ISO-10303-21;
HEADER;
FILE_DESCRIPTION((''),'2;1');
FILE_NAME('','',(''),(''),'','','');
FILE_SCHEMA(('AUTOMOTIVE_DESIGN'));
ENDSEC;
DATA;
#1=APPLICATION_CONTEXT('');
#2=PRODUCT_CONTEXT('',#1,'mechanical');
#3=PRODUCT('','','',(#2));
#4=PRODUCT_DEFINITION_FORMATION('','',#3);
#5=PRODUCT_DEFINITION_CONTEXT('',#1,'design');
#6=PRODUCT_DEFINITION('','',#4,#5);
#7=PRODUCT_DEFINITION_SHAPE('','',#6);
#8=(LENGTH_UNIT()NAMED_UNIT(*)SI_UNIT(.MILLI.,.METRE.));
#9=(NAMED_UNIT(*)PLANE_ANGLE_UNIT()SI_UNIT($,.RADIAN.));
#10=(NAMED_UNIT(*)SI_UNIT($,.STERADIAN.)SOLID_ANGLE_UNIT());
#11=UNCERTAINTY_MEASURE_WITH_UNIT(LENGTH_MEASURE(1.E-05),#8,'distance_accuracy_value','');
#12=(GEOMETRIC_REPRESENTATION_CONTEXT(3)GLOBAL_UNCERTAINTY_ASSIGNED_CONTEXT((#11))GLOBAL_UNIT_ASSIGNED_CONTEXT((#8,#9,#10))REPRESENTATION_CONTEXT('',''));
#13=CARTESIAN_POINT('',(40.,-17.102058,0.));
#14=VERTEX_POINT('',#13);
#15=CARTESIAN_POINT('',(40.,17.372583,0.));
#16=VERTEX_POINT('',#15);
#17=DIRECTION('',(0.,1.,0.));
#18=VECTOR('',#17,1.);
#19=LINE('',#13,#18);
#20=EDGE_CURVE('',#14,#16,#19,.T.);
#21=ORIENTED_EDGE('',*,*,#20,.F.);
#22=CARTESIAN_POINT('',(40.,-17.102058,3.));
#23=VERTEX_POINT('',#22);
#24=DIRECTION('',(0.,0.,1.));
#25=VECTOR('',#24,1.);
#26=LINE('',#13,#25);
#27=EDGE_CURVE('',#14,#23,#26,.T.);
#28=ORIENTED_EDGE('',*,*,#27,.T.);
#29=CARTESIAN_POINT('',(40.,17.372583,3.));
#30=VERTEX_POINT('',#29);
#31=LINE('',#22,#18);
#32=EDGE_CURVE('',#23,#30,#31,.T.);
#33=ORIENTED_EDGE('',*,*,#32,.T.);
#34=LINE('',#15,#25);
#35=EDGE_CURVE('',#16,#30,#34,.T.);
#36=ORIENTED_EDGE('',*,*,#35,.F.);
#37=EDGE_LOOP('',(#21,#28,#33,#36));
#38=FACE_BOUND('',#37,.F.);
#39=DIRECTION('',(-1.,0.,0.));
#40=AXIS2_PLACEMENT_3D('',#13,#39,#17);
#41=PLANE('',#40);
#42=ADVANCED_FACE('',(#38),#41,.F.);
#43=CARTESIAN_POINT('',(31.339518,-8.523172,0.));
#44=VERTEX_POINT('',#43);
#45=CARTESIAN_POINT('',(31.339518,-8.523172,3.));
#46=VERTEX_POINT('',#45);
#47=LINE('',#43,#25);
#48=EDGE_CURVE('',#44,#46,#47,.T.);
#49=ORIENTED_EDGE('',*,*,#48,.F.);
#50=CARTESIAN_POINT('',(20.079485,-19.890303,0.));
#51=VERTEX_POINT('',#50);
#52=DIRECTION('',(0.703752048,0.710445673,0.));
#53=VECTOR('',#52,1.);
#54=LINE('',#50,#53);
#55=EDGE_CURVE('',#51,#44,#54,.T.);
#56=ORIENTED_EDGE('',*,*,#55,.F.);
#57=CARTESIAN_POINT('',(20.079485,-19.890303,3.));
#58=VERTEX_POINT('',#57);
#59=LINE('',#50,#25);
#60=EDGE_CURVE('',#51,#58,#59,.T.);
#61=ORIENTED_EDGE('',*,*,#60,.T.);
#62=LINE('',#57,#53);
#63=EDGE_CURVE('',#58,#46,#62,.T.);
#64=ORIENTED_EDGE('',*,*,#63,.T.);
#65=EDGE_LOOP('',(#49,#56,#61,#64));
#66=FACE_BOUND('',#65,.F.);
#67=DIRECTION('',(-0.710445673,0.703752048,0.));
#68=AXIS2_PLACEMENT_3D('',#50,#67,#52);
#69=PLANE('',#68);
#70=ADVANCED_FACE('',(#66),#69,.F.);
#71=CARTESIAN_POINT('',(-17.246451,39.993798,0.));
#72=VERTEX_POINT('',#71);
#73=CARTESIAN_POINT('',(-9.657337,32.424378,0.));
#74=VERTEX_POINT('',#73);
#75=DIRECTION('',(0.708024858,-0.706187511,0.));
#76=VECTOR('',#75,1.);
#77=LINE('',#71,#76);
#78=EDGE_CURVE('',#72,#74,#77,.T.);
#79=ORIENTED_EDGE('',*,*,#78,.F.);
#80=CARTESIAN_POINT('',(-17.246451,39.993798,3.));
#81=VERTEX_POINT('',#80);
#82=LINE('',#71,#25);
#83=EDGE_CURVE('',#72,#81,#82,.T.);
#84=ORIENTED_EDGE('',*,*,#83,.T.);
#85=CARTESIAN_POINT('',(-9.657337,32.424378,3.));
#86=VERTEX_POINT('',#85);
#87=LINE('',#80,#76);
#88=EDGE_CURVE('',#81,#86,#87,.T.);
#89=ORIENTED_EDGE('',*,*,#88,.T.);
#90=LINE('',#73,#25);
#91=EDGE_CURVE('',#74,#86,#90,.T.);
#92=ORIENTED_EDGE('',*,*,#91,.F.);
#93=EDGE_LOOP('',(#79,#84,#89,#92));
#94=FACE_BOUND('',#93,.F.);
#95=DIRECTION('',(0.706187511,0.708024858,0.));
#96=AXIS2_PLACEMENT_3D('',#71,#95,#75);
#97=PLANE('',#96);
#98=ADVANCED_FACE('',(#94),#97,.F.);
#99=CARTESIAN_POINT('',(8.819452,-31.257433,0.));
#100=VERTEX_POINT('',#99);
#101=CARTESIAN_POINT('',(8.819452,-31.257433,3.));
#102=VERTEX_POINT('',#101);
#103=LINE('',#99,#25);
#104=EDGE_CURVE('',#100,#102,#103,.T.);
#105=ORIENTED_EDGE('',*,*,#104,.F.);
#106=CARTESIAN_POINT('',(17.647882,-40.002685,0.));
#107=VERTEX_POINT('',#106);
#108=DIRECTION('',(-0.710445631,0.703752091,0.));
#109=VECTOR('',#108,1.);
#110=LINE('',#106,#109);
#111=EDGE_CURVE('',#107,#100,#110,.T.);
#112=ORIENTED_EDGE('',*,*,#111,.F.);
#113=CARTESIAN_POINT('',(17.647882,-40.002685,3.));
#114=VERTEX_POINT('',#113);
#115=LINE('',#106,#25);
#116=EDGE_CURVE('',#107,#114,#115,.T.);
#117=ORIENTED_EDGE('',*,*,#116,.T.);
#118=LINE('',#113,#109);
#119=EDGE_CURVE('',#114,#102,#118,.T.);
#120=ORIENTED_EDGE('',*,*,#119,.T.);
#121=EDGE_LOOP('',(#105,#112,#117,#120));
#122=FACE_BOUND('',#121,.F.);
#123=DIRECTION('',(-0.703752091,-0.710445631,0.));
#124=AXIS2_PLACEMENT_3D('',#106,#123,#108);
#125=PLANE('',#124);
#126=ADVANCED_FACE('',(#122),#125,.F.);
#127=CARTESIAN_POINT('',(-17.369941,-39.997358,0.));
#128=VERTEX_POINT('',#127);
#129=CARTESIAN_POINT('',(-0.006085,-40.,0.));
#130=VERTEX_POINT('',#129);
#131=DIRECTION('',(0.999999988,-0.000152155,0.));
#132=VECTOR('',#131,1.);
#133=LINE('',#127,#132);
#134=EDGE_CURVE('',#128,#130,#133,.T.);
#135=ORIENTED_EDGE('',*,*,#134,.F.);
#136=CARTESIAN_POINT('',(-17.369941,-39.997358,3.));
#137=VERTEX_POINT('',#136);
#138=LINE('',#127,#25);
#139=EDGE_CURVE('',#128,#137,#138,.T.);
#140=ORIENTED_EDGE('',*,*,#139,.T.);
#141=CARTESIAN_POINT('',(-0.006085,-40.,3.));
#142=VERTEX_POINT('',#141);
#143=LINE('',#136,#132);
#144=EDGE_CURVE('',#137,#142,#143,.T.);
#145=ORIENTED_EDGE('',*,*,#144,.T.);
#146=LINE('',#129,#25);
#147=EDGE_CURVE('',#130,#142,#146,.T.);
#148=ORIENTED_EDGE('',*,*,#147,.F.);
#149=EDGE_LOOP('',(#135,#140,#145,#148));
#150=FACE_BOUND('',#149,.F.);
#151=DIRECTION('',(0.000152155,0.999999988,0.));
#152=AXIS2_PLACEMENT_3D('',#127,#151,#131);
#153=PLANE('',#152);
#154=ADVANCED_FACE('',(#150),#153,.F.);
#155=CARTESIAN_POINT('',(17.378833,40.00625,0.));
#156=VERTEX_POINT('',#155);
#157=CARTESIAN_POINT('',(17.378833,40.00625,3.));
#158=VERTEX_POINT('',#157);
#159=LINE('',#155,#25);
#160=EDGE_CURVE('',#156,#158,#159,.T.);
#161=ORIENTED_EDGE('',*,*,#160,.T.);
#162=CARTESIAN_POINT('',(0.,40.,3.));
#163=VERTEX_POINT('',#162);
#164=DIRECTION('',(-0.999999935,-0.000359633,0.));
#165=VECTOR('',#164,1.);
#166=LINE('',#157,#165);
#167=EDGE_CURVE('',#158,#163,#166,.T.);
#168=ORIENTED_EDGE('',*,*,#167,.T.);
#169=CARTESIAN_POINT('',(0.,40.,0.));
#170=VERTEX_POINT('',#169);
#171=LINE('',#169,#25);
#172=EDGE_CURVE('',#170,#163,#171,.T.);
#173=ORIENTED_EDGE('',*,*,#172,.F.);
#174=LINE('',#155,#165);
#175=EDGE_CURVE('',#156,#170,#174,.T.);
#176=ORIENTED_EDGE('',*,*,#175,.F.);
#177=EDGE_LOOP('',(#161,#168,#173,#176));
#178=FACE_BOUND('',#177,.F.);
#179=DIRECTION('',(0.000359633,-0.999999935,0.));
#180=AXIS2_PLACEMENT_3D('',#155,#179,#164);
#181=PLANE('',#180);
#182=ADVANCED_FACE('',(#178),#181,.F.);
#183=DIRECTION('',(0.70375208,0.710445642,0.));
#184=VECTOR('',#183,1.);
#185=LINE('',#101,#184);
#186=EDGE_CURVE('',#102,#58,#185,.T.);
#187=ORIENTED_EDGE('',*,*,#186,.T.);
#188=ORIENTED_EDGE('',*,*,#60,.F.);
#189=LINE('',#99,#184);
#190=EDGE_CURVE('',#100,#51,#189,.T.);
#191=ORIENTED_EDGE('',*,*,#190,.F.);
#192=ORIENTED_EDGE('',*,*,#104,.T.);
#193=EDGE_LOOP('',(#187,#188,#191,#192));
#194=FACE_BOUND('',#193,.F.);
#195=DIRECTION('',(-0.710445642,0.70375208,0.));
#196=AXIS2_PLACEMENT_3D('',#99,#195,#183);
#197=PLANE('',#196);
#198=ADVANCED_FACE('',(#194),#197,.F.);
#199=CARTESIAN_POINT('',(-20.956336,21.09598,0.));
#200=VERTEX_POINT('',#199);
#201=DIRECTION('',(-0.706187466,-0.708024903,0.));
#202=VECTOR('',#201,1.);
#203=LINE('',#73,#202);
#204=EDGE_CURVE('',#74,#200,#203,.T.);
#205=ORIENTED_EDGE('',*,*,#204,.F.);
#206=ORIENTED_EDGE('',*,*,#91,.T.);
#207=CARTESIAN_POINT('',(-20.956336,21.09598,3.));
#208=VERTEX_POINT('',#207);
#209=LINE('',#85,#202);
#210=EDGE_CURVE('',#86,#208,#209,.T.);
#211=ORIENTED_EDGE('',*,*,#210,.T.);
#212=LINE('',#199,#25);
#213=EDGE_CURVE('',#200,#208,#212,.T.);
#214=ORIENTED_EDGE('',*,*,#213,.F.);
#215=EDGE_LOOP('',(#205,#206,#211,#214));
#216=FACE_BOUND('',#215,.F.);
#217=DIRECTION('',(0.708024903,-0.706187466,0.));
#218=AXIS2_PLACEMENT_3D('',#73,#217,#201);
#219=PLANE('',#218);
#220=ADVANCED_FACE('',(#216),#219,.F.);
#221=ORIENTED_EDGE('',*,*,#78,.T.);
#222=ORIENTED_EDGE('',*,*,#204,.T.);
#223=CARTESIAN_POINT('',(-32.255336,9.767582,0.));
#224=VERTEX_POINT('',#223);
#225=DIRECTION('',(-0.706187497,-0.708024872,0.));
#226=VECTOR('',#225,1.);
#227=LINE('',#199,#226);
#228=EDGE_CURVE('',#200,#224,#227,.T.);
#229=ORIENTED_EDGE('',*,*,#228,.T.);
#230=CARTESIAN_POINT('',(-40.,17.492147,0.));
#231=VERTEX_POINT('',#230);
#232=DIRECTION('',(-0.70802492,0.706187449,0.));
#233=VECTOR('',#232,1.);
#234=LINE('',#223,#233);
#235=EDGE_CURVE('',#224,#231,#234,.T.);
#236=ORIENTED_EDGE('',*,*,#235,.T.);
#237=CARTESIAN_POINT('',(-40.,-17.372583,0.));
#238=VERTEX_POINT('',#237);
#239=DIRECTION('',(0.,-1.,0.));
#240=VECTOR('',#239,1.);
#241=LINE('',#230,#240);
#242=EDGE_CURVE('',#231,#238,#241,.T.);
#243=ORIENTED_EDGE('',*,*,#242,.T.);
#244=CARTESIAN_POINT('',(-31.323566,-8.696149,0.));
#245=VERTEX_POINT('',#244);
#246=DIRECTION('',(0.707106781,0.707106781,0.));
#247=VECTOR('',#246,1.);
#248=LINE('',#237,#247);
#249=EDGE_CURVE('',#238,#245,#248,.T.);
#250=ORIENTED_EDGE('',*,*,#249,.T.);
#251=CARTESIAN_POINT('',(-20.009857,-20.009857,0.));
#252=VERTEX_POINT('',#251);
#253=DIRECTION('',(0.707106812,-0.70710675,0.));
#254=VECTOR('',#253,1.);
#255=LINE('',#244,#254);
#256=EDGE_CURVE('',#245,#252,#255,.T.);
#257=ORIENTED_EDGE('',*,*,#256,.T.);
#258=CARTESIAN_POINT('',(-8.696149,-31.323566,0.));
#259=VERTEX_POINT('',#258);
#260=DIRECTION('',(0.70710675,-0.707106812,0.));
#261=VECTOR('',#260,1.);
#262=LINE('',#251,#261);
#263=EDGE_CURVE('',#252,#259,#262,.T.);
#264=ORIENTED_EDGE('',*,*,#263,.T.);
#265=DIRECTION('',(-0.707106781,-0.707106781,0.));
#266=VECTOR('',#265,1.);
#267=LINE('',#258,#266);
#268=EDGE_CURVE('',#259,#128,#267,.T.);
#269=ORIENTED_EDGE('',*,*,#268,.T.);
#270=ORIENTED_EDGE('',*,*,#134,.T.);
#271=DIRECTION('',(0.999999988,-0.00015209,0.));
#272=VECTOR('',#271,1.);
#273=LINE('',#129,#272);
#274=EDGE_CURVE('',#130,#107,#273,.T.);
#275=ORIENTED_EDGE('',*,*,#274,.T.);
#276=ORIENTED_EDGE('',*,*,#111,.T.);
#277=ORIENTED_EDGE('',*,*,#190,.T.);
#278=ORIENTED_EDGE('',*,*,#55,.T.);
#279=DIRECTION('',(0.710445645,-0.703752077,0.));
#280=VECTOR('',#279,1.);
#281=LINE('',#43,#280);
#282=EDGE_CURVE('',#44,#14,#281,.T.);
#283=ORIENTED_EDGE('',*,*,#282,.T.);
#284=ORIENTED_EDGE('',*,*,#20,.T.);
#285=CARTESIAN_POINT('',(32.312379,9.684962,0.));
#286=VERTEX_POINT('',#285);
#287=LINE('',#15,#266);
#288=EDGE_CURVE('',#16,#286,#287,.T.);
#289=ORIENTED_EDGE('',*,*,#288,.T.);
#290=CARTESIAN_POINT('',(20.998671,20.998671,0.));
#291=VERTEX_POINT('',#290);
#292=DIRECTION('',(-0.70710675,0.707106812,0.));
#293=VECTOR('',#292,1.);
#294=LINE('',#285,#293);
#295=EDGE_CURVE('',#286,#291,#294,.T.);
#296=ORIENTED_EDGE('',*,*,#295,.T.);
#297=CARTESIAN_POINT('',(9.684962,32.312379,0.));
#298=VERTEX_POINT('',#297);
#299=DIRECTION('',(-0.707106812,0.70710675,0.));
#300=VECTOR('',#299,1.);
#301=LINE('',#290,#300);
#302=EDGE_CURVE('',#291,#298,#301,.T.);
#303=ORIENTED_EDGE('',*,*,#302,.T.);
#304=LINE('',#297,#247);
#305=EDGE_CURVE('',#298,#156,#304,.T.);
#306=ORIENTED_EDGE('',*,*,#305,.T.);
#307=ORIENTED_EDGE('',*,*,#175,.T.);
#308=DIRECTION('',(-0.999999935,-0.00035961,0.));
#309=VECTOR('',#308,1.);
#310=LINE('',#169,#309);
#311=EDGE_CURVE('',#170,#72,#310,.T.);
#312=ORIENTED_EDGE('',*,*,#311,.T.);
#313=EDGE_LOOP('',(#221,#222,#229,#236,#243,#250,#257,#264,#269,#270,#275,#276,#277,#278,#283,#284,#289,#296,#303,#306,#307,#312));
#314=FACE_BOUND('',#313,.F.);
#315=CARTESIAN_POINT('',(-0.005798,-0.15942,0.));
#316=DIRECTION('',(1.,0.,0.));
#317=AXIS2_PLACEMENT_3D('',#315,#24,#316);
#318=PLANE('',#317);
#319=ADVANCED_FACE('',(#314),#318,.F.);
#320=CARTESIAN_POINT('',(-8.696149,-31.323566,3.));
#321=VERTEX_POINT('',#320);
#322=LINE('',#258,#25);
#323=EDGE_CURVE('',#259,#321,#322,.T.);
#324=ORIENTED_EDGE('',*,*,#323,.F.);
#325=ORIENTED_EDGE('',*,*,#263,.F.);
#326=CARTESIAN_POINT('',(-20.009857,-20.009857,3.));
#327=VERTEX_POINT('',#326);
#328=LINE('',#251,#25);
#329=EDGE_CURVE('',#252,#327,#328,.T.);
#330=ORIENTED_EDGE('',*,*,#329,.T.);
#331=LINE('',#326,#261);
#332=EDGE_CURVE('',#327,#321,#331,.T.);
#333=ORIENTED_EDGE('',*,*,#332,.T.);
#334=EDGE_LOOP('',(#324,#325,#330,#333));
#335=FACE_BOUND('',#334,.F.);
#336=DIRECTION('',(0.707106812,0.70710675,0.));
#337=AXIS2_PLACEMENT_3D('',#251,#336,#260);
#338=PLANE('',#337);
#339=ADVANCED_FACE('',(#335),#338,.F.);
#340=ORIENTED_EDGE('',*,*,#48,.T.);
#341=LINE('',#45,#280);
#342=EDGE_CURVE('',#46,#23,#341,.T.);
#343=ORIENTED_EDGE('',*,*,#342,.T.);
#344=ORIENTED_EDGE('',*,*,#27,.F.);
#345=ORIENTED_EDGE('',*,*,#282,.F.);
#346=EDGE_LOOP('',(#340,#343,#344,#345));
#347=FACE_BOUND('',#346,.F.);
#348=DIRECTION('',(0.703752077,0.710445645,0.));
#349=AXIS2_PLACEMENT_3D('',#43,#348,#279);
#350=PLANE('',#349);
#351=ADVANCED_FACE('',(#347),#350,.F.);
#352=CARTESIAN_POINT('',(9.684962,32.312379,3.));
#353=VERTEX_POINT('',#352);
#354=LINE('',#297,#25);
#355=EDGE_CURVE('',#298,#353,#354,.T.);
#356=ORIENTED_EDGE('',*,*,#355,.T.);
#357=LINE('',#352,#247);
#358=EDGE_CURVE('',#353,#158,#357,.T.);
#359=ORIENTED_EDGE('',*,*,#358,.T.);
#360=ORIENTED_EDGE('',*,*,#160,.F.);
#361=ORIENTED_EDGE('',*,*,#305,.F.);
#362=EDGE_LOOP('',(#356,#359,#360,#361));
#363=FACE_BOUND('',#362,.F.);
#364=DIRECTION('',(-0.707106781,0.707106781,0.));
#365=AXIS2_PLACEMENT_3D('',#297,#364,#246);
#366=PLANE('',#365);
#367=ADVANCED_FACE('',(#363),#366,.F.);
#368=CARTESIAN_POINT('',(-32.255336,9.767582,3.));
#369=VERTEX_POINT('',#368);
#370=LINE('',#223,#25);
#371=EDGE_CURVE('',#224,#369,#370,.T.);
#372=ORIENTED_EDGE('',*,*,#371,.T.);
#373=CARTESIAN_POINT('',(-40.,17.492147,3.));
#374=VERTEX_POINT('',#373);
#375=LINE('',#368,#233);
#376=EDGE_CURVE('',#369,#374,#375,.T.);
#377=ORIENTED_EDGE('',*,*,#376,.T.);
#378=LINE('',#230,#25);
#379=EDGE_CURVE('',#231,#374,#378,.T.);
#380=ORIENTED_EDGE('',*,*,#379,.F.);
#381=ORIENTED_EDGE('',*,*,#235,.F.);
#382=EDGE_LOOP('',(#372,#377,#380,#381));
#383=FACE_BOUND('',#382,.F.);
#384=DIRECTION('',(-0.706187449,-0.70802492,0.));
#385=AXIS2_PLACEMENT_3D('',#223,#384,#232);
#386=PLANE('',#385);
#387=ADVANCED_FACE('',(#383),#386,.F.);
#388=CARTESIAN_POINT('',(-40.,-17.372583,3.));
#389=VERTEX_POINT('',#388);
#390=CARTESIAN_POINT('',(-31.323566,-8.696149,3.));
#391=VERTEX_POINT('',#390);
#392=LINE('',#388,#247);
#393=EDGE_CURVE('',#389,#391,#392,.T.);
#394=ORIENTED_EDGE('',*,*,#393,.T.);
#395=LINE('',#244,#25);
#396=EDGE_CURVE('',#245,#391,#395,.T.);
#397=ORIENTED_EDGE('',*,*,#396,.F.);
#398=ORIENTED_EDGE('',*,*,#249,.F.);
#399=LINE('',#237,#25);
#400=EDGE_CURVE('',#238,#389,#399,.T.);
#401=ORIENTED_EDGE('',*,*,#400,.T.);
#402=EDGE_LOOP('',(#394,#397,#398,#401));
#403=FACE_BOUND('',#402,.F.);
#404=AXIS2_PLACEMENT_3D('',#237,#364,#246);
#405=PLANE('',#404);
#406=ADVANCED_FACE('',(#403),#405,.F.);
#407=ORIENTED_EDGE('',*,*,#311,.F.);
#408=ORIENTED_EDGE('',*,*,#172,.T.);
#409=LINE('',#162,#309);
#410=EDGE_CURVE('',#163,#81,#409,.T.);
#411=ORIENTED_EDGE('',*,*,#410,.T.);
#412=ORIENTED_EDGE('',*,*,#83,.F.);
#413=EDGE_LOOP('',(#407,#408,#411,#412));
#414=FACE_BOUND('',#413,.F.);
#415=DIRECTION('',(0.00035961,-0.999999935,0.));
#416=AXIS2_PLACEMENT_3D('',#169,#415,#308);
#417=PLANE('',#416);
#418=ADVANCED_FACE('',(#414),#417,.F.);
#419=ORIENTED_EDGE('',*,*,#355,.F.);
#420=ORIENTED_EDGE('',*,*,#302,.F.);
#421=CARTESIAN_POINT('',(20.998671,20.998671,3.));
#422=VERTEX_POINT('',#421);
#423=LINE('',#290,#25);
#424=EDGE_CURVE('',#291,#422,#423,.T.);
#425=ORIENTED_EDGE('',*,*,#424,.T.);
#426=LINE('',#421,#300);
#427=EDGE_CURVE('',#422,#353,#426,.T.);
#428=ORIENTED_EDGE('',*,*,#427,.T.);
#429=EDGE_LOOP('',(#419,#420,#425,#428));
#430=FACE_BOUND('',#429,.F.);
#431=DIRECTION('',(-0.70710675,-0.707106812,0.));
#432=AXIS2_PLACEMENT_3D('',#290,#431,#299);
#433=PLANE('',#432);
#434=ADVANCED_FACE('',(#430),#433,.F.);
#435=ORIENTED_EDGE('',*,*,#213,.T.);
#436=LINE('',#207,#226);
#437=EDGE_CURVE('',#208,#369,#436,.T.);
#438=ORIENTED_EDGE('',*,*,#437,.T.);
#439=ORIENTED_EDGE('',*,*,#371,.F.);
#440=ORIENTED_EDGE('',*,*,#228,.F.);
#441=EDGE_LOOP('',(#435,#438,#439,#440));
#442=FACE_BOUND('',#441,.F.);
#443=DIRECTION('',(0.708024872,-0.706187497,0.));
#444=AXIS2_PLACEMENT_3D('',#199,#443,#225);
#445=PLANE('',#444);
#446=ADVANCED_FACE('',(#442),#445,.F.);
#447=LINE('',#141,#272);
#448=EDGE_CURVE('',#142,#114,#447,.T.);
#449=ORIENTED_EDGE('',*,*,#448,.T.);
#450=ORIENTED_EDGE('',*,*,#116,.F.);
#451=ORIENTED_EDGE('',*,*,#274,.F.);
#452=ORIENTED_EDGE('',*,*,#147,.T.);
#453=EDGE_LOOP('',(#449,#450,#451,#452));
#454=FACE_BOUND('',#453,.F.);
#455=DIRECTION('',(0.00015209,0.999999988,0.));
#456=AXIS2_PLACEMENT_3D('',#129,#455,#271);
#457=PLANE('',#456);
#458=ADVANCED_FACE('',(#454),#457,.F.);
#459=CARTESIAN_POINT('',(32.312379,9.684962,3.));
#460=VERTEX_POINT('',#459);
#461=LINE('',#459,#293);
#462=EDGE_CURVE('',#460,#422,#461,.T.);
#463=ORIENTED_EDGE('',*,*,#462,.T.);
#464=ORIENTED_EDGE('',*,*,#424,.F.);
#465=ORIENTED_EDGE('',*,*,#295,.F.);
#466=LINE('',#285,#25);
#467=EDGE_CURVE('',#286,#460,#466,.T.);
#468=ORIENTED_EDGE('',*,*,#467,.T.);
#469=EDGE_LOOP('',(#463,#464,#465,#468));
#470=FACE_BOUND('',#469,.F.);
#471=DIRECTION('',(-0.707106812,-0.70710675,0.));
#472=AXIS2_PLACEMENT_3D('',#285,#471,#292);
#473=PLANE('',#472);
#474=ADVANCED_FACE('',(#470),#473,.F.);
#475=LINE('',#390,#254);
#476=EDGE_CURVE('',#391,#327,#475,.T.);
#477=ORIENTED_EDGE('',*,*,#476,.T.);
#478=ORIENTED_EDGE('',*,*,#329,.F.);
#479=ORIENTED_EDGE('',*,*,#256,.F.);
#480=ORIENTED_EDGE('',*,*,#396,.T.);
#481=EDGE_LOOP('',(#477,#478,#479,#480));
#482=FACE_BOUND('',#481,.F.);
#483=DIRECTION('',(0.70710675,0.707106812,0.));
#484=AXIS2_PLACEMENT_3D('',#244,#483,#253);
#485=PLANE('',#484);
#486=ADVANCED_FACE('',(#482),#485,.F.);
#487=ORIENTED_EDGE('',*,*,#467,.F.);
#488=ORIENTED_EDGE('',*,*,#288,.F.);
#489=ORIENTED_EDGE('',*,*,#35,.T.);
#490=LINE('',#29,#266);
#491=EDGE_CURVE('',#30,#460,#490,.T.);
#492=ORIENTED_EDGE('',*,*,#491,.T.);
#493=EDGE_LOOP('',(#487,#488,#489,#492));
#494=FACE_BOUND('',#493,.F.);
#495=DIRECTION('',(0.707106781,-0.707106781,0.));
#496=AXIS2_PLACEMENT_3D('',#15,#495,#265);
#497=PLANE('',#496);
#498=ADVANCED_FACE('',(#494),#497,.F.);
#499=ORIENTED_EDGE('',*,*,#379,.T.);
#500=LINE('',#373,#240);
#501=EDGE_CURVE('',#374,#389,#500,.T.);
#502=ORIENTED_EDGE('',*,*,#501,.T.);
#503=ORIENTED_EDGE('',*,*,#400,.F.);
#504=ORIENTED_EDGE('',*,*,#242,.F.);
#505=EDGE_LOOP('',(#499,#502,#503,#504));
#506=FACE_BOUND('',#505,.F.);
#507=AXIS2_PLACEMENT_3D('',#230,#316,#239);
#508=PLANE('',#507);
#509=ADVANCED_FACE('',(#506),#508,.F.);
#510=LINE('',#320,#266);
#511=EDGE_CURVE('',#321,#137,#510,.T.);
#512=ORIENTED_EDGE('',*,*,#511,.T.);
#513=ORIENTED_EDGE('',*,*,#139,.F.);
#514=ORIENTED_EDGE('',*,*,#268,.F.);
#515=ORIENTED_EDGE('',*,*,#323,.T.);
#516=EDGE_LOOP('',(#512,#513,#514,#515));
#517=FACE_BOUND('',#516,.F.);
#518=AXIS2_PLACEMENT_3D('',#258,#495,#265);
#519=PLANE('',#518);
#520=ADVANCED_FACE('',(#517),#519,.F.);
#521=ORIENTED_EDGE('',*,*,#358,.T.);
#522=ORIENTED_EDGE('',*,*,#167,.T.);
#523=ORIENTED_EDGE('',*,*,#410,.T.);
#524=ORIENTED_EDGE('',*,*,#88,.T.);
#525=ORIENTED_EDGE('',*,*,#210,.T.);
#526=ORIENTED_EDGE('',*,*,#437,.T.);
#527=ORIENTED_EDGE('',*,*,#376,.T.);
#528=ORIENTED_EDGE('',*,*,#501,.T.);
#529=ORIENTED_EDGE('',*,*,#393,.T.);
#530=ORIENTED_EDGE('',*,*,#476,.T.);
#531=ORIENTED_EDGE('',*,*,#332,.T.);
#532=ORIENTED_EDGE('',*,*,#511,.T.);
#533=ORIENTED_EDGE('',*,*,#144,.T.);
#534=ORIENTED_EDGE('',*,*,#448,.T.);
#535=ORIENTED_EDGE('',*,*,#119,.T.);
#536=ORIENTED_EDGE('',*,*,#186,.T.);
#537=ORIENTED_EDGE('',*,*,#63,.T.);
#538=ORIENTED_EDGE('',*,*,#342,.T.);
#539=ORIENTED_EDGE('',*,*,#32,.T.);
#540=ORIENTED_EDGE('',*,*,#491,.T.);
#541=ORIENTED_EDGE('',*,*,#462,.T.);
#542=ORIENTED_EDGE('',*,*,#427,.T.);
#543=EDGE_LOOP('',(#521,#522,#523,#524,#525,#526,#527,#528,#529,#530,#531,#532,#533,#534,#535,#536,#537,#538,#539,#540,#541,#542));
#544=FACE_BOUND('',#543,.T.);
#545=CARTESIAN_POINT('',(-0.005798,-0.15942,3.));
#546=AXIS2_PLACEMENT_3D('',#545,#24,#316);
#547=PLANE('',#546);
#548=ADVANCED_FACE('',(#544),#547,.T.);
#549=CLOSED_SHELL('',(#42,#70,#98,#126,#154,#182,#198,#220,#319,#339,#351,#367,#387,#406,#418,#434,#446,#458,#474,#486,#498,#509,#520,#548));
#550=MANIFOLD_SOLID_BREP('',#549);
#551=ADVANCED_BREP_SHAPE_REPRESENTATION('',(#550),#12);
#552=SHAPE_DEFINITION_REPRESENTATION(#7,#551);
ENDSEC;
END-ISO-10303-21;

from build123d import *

# Parameters (mm, degrees)
F1_DEPTH = 3


with BuildPart() as f1:
    # F0 (on Top) → F1 (new body)
    with BuildSketch(Plane.XY):
        Polygon((40, 0), (40, 17.372583), (32.312379, 9.684962), (20.998671, 20.998671), (9.684962, 32.312379), (17.378833, 40.00625), (0, 40), (-17.246451, 39.993798), (-9.657337, 32.424378), (-20.956336, 21.09598), (-32.255336, 9.767582), (-40, 17.492147), (-40, 0.006085), (-40, -17.372583), (-31.323566, -8.696149), (-20.009857, -20.009857), (-8.696149, -31.323566), (-17.369941, -39.997358), (-0.006085, -40), (17.647882, -40.002685), (8.819452, -31.257433), (20.079485, -19.890303), (31.339518, -8.523172), (40, -17.102058), align=None)
    extrude(amount=F1_DEPTH)


solid = f1.part
